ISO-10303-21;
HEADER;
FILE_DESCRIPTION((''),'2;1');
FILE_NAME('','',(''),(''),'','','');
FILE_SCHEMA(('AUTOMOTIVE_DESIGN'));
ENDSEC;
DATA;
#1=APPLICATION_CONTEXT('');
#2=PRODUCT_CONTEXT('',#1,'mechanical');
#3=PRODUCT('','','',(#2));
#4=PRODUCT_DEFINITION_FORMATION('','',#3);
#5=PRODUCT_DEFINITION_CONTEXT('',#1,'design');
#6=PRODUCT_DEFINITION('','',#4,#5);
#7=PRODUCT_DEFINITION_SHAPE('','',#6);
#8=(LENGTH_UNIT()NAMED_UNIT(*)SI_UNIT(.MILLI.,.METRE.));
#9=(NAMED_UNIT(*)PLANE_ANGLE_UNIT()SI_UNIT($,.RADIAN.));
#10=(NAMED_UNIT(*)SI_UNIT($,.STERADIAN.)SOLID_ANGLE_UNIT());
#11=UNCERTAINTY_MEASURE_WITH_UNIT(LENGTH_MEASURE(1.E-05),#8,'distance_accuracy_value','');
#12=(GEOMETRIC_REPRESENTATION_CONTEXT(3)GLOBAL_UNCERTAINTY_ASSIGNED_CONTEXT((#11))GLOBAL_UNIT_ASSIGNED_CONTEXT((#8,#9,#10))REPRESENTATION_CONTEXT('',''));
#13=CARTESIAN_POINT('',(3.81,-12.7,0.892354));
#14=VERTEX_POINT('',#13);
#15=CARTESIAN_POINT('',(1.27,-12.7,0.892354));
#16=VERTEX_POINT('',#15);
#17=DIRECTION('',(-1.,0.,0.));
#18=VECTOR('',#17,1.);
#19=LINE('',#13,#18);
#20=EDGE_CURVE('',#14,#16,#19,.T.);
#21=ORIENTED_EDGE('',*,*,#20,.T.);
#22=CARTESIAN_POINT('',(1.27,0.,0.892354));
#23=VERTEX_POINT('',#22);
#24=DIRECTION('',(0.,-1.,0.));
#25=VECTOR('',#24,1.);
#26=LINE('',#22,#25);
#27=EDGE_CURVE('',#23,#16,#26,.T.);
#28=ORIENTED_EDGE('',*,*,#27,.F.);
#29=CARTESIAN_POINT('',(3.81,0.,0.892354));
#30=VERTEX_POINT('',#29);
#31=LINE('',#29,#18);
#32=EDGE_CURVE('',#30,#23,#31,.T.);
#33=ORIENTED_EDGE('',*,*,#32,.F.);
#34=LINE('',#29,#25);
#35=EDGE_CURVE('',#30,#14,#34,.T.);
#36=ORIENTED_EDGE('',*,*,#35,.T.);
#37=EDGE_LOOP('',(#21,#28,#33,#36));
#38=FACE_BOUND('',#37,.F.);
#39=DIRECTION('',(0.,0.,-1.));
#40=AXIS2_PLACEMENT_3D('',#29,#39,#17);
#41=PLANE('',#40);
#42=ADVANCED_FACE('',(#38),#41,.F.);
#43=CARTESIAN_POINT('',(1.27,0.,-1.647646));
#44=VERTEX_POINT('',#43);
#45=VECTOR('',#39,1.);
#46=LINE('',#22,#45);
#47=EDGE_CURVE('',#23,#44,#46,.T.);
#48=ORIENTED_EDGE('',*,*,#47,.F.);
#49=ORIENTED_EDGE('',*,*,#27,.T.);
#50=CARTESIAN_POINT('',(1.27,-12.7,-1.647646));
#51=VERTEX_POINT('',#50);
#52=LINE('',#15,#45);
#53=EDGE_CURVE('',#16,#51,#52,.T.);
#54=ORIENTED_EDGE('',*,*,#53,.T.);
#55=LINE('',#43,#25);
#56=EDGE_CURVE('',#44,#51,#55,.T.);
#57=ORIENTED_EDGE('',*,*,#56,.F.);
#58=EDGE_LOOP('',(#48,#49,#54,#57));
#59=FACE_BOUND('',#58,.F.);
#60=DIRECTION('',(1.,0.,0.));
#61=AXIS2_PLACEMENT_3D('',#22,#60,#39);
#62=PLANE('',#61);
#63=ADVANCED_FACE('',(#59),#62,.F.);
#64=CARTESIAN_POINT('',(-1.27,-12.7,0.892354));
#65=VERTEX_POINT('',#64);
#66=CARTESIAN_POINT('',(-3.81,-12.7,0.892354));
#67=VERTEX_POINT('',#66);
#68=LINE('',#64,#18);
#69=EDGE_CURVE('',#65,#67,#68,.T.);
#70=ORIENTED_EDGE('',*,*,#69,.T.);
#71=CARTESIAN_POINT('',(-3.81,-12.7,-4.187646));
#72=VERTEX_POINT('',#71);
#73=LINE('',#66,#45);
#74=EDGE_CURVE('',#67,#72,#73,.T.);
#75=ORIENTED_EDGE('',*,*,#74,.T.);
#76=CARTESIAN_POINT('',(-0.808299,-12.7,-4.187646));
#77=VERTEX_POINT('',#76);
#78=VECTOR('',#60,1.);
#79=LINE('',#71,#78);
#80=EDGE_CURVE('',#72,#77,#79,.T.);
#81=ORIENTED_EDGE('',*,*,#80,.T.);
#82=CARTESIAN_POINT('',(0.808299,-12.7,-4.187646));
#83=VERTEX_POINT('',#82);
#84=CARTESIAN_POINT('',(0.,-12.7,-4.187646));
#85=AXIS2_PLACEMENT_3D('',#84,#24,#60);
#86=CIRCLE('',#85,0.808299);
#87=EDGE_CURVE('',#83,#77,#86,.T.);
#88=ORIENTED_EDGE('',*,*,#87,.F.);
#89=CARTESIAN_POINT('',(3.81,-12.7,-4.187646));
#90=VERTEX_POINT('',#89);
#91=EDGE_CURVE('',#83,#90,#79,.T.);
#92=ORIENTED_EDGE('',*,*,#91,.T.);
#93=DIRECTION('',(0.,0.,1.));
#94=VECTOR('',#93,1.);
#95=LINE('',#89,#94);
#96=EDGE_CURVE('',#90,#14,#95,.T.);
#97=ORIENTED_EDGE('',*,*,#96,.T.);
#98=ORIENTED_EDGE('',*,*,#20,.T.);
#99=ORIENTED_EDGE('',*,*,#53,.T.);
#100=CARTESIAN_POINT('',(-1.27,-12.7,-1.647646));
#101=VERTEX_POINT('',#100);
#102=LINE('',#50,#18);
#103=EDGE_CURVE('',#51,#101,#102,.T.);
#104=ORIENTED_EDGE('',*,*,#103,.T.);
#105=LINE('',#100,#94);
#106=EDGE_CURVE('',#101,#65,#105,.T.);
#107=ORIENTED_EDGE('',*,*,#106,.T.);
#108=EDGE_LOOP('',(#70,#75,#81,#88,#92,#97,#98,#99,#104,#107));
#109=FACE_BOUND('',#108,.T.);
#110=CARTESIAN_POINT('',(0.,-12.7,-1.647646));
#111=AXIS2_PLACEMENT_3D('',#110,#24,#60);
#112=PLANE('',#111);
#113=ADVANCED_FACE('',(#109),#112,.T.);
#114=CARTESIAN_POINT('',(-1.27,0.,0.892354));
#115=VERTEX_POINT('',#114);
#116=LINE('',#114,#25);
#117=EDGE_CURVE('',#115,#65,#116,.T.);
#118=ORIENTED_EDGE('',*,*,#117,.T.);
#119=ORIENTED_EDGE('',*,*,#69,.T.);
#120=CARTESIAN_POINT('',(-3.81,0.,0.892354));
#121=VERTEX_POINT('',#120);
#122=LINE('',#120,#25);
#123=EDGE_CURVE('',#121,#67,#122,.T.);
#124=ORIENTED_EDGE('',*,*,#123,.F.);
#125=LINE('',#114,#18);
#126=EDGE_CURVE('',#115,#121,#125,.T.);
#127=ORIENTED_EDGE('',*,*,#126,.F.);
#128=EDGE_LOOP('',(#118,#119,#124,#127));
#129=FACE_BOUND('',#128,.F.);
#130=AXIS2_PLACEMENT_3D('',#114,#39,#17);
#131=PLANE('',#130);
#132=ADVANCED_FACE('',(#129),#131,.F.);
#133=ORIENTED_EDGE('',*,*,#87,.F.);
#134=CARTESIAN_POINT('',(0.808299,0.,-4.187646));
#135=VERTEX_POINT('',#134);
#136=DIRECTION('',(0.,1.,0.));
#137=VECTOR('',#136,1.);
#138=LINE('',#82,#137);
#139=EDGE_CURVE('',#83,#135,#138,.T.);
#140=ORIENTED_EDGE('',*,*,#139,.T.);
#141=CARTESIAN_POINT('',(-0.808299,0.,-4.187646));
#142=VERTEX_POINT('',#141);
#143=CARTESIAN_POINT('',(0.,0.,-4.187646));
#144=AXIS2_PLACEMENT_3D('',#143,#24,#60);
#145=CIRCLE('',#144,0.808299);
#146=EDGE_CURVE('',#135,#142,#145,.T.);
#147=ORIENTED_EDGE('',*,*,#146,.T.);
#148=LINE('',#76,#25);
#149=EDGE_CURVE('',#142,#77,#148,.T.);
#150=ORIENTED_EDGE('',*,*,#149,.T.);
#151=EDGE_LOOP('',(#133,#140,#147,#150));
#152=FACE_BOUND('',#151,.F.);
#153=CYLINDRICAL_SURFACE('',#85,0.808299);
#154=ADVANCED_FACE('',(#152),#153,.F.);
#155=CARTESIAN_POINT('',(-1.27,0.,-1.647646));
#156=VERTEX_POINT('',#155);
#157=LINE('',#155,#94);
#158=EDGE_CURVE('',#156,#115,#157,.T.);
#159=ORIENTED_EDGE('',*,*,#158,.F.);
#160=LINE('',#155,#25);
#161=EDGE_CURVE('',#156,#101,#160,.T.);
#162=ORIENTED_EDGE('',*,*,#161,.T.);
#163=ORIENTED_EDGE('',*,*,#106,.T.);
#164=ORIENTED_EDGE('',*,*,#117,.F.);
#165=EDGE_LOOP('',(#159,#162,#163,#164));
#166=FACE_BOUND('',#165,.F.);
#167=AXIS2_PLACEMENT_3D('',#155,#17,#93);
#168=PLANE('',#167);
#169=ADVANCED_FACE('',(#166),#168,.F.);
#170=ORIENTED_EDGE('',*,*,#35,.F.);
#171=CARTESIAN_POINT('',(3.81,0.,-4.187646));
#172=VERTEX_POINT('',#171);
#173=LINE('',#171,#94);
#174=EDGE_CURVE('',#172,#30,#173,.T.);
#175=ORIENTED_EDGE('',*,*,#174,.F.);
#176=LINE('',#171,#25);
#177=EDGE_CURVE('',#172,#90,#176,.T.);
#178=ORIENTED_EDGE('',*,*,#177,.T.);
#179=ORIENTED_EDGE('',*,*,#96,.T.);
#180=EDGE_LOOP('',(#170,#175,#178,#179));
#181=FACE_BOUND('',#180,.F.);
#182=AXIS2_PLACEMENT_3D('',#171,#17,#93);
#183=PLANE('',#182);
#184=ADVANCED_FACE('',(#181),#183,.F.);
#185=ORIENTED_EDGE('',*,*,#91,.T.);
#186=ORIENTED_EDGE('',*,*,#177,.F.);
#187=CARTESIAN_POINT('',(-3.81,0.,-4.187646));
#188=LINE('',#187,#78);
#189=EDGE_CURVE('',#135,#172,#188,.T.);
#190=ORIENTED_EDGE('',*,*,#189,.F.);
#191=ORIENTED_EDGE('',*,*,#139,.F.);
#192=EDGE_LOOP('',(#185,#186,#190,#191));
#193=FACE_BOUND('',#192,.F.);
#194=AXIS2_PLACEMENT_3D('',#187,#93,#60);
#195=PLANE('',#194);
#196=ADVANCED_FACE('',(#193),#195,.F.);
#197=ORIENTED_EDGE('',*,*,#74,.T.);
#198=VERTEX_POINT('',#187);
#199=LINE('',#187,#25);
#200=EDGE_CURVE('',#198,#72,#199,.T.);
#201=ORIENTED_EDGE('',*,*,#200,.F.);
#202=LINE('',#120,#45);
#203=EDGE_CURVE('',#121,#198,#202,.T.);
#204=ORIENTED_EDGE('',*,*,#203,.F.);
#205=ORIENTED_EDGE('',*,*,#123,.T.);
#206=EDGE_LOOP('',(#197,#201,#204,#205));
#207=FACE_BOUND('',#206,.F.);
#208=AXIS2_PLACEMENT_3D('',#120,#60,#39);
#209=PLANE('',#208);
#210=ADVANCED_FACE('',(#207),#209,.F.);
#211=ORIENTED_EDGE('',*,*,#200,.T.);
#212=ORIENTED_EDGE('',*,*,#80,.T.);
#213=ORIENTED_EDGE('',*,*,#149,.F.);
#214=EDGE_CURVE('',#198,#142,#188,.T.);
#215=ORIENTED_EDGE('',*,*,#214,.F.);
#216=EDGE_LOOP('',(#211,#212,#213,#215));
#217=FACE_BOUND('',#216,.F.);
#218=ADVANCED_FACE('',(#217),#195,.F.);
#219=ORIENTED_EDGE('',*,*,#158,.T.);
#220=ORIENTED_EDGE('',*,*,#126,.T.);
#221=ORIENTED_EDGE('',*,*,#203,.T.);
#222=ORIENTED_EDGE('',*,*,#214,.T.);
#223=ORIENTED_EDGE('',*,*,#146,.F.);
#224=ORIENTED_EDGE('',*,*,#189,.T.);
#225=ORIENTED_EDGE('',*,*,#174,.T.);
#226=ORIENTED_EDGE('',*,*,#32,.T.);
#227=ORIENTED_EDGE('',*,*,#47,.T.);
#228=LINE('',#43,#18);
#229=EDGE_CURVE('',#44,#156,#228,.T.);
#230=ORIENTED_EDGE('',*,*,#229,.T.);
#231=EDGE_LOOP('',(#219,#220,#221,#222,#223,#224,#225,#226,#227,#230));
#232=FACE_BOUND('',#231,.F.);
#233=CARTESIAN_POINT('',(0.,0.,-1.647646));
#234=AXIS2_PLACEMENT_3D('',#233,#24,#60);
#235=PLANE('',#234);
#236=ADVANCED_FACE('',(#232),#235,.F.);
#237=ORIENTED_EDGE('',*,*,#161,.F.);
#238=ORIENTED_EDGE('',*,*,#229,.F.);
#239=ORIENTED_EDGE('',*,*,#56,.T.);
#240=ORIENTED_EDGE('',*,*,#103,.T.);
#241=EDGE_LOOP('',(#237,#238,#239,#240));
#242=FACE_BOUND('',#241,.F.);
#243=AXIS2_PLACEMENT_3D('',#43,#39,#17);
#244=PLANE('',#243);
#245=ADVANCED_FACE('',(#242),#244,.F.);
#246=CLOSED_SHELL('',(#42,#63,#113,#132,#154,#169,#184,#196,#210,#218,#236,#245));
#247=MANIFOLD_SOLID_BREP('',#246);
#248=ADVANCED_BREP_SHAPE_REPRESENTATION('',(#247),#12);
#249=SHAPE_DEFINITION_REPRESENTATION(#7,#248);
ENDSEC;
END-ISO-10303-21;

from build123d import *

# Parameters (mm, degrees)
F1_DEPTH = 12.7
F2_R     = 0.808299
F3_DEPTH = 25.4


with BuildPart() as f1:
    # F0 (on Front) → F1 (new body)
    with BuildSketch(Plane.XZ):
        Polygon((-1.27, 0.892354), (-3.81, 0.892354), (-3.81, -4.187646), (3.81, -4.187646), (3.81, 0.892354), (1.27, 0.892354), (1.27, -1.647646), (-1.27, -1.647646), align=None)
    extrude(amount=F1_DEPTH)

    # F2 (on face) → F3 (cut)
    with BuildSketch(Plane.XZ.offset(12.7)):
        with Locations((0, -4.187646)):
            Circle(F2_R)
    extrude(amount=-F3_DEPTH, mode=Mode.SUBTRACT)


solid = f1.part
